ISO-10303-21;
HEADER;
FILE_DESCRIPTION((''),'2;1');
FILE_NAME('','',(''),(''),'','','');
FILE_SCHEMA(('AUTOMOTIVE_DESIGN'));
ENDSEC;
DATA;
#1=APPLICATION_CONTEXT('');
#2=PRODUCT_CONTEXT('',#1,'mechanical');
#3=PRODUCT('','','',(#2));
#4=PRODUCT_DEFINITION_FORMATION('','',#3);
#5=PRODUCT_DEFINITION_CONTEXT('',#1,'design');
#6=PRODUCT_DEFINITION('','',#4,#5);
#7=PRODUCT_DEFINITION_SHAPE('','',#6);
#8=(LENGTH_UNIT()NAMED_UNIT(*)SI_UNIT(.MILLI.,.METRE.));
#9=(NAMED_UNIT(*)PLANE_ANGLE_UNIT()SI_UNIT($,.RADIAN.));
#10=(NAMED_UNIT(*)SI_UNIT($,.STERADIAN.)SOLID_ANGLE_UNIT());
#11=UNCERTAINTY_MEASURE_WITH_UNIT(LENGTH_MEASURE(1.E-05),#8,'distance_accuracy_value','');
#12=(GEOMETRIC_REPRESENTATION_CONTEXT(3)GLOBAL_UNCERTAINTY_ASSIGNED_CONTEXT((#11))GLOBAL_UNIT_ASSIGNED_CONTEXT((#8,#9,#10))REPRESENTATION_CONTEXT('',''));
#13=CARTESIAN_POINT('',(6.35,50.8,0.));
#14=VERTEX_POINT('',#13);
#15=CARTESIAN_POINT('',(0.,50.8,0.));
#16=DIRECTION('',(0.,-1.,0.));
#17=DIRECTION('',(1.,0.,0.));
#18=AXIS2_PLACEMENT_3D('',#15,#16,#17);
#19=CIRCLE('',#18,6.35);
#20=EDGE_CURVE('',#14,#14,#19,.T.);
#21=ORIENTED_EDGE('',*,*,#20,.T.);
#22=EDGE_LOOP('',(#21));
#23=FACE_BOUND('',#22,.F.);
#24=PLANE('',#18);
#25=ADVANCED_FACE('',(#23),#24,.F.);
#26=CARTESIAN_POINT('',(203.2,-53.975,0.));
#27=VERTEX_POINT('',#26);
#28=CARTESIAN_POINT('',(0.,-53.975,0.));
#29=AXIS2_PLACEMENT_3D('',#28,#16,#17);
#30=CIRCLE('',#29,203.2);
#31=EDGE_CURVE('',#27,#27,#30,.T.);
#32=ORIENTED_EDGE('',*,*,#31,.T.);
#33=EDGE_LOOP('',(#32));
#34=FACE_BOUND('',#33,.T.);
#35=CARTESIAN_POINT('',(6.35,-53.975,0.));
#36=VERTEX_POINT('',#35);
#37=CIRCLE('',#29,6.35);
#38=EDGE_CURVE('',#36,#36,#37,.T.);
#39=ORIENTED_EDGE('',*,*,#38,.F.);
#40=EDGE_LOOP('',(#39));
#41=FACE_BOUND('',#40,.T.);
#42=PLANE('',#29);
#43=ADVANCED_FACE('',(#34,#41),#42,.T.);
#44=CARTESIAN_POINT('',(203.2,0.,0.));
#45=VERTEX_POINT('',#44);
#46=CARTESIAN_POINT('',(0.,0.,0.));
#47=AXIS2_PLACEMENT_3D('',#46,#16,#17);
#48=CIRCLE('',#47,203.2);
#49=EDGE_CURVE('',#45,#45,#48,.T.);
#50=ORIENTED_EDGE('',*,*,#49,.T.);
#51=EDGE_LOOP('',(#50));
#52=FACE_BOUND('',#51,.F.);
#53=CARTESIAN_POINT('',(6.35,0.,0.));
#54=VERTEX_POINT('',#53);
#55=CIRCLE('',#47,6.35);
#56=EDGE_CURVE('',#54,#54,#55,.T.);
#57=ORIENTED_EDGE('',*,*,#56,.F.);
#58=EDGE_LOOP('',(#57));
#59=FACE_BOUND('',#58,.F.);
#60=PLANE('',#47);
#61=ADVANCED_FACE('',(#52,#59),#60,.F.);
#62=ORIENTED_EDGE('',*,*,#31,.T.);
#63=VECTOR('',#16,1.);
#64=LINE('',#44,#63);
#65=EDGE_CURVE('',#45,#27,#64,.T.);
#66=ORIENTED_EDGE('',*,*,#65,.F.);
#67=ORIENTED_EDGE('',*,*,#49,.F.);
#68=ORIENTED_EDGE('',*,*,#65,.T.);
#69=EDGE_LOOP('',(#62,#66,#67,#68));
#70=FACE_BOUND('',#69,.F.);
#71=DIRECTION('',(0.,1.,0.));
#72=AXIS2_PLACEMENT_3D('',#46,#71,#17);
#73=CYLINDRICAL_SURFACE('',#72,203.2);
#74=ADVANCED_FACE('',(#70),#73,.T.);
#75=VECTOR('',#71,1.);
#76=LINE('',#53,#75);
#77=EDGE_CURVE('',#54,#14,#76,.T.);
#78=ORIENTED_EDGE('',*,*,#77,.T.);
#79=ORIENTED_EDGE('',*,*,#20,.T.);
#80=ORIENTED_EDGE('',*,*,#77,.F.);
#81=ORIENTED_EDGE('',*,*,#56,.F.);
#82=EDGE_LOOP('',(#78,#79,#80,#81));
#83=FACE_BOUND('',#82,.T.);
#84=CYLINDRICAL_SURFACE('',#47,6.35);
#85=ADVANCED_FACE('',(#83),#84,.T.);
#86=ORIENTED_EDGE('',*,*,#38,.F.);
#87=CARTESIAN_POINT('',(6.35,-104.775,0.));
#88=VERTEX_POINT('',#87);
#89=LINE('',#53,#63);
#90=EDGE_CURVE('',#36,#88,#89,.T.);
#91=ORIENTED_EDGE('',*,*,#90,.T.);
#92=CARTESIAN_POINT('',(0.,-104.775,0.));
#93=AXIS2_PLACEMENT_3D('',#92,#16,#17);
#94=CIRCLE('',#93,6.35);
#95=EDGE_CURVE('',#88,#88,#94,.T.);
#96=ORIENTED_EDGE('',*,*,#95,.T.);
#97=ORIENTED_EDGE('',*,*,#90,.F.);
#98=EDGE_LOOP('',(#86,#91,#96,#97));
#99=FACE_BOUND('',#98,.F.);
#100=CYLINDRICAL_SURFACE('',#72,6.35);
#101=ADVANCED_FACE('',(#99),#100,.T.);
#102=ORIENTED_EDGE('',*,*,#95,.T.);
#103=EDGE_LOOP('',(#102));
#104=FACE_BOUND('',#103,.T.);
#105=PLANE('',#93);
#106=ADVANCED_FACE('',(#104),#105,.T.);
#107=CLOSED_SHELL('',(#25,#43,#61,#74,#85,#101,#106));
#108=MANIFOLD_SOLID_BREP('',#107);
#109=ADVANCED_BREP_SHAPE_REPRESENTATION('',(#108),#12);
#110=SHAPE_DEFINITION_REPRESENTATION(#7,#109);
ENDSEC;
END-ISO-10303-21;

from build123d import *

# Parameters (mm, degrees)
F0_R          = 6.35
F0_R_2        = 203.2
F1_DEPTH      = 53.975
F2_DEPTH      = 104.775
F2_DEPTH_BACK = 50.8


with BuildPart() as f1:
    # F0 (on Front) → F1 (new body)
    with BuildSketch(Plane.XZ):
        Circle(F0_R)
        Circle(F0_R_2)
        Circle(F0_R, mode=Mode.SUBTRACT)
    extrude(amount=F1_DEPTH)

    # F0 (on Front) → F2 (join, two sides)
    with BuildSketch(Plane.XZ) as f2_sk:
        Circle(F0_R)
    extrude(amount=F2_DEPTH)
    extrude(f2_sk.sketch, amount=-F2_DEPTH_BACK)


solid = f1.part
